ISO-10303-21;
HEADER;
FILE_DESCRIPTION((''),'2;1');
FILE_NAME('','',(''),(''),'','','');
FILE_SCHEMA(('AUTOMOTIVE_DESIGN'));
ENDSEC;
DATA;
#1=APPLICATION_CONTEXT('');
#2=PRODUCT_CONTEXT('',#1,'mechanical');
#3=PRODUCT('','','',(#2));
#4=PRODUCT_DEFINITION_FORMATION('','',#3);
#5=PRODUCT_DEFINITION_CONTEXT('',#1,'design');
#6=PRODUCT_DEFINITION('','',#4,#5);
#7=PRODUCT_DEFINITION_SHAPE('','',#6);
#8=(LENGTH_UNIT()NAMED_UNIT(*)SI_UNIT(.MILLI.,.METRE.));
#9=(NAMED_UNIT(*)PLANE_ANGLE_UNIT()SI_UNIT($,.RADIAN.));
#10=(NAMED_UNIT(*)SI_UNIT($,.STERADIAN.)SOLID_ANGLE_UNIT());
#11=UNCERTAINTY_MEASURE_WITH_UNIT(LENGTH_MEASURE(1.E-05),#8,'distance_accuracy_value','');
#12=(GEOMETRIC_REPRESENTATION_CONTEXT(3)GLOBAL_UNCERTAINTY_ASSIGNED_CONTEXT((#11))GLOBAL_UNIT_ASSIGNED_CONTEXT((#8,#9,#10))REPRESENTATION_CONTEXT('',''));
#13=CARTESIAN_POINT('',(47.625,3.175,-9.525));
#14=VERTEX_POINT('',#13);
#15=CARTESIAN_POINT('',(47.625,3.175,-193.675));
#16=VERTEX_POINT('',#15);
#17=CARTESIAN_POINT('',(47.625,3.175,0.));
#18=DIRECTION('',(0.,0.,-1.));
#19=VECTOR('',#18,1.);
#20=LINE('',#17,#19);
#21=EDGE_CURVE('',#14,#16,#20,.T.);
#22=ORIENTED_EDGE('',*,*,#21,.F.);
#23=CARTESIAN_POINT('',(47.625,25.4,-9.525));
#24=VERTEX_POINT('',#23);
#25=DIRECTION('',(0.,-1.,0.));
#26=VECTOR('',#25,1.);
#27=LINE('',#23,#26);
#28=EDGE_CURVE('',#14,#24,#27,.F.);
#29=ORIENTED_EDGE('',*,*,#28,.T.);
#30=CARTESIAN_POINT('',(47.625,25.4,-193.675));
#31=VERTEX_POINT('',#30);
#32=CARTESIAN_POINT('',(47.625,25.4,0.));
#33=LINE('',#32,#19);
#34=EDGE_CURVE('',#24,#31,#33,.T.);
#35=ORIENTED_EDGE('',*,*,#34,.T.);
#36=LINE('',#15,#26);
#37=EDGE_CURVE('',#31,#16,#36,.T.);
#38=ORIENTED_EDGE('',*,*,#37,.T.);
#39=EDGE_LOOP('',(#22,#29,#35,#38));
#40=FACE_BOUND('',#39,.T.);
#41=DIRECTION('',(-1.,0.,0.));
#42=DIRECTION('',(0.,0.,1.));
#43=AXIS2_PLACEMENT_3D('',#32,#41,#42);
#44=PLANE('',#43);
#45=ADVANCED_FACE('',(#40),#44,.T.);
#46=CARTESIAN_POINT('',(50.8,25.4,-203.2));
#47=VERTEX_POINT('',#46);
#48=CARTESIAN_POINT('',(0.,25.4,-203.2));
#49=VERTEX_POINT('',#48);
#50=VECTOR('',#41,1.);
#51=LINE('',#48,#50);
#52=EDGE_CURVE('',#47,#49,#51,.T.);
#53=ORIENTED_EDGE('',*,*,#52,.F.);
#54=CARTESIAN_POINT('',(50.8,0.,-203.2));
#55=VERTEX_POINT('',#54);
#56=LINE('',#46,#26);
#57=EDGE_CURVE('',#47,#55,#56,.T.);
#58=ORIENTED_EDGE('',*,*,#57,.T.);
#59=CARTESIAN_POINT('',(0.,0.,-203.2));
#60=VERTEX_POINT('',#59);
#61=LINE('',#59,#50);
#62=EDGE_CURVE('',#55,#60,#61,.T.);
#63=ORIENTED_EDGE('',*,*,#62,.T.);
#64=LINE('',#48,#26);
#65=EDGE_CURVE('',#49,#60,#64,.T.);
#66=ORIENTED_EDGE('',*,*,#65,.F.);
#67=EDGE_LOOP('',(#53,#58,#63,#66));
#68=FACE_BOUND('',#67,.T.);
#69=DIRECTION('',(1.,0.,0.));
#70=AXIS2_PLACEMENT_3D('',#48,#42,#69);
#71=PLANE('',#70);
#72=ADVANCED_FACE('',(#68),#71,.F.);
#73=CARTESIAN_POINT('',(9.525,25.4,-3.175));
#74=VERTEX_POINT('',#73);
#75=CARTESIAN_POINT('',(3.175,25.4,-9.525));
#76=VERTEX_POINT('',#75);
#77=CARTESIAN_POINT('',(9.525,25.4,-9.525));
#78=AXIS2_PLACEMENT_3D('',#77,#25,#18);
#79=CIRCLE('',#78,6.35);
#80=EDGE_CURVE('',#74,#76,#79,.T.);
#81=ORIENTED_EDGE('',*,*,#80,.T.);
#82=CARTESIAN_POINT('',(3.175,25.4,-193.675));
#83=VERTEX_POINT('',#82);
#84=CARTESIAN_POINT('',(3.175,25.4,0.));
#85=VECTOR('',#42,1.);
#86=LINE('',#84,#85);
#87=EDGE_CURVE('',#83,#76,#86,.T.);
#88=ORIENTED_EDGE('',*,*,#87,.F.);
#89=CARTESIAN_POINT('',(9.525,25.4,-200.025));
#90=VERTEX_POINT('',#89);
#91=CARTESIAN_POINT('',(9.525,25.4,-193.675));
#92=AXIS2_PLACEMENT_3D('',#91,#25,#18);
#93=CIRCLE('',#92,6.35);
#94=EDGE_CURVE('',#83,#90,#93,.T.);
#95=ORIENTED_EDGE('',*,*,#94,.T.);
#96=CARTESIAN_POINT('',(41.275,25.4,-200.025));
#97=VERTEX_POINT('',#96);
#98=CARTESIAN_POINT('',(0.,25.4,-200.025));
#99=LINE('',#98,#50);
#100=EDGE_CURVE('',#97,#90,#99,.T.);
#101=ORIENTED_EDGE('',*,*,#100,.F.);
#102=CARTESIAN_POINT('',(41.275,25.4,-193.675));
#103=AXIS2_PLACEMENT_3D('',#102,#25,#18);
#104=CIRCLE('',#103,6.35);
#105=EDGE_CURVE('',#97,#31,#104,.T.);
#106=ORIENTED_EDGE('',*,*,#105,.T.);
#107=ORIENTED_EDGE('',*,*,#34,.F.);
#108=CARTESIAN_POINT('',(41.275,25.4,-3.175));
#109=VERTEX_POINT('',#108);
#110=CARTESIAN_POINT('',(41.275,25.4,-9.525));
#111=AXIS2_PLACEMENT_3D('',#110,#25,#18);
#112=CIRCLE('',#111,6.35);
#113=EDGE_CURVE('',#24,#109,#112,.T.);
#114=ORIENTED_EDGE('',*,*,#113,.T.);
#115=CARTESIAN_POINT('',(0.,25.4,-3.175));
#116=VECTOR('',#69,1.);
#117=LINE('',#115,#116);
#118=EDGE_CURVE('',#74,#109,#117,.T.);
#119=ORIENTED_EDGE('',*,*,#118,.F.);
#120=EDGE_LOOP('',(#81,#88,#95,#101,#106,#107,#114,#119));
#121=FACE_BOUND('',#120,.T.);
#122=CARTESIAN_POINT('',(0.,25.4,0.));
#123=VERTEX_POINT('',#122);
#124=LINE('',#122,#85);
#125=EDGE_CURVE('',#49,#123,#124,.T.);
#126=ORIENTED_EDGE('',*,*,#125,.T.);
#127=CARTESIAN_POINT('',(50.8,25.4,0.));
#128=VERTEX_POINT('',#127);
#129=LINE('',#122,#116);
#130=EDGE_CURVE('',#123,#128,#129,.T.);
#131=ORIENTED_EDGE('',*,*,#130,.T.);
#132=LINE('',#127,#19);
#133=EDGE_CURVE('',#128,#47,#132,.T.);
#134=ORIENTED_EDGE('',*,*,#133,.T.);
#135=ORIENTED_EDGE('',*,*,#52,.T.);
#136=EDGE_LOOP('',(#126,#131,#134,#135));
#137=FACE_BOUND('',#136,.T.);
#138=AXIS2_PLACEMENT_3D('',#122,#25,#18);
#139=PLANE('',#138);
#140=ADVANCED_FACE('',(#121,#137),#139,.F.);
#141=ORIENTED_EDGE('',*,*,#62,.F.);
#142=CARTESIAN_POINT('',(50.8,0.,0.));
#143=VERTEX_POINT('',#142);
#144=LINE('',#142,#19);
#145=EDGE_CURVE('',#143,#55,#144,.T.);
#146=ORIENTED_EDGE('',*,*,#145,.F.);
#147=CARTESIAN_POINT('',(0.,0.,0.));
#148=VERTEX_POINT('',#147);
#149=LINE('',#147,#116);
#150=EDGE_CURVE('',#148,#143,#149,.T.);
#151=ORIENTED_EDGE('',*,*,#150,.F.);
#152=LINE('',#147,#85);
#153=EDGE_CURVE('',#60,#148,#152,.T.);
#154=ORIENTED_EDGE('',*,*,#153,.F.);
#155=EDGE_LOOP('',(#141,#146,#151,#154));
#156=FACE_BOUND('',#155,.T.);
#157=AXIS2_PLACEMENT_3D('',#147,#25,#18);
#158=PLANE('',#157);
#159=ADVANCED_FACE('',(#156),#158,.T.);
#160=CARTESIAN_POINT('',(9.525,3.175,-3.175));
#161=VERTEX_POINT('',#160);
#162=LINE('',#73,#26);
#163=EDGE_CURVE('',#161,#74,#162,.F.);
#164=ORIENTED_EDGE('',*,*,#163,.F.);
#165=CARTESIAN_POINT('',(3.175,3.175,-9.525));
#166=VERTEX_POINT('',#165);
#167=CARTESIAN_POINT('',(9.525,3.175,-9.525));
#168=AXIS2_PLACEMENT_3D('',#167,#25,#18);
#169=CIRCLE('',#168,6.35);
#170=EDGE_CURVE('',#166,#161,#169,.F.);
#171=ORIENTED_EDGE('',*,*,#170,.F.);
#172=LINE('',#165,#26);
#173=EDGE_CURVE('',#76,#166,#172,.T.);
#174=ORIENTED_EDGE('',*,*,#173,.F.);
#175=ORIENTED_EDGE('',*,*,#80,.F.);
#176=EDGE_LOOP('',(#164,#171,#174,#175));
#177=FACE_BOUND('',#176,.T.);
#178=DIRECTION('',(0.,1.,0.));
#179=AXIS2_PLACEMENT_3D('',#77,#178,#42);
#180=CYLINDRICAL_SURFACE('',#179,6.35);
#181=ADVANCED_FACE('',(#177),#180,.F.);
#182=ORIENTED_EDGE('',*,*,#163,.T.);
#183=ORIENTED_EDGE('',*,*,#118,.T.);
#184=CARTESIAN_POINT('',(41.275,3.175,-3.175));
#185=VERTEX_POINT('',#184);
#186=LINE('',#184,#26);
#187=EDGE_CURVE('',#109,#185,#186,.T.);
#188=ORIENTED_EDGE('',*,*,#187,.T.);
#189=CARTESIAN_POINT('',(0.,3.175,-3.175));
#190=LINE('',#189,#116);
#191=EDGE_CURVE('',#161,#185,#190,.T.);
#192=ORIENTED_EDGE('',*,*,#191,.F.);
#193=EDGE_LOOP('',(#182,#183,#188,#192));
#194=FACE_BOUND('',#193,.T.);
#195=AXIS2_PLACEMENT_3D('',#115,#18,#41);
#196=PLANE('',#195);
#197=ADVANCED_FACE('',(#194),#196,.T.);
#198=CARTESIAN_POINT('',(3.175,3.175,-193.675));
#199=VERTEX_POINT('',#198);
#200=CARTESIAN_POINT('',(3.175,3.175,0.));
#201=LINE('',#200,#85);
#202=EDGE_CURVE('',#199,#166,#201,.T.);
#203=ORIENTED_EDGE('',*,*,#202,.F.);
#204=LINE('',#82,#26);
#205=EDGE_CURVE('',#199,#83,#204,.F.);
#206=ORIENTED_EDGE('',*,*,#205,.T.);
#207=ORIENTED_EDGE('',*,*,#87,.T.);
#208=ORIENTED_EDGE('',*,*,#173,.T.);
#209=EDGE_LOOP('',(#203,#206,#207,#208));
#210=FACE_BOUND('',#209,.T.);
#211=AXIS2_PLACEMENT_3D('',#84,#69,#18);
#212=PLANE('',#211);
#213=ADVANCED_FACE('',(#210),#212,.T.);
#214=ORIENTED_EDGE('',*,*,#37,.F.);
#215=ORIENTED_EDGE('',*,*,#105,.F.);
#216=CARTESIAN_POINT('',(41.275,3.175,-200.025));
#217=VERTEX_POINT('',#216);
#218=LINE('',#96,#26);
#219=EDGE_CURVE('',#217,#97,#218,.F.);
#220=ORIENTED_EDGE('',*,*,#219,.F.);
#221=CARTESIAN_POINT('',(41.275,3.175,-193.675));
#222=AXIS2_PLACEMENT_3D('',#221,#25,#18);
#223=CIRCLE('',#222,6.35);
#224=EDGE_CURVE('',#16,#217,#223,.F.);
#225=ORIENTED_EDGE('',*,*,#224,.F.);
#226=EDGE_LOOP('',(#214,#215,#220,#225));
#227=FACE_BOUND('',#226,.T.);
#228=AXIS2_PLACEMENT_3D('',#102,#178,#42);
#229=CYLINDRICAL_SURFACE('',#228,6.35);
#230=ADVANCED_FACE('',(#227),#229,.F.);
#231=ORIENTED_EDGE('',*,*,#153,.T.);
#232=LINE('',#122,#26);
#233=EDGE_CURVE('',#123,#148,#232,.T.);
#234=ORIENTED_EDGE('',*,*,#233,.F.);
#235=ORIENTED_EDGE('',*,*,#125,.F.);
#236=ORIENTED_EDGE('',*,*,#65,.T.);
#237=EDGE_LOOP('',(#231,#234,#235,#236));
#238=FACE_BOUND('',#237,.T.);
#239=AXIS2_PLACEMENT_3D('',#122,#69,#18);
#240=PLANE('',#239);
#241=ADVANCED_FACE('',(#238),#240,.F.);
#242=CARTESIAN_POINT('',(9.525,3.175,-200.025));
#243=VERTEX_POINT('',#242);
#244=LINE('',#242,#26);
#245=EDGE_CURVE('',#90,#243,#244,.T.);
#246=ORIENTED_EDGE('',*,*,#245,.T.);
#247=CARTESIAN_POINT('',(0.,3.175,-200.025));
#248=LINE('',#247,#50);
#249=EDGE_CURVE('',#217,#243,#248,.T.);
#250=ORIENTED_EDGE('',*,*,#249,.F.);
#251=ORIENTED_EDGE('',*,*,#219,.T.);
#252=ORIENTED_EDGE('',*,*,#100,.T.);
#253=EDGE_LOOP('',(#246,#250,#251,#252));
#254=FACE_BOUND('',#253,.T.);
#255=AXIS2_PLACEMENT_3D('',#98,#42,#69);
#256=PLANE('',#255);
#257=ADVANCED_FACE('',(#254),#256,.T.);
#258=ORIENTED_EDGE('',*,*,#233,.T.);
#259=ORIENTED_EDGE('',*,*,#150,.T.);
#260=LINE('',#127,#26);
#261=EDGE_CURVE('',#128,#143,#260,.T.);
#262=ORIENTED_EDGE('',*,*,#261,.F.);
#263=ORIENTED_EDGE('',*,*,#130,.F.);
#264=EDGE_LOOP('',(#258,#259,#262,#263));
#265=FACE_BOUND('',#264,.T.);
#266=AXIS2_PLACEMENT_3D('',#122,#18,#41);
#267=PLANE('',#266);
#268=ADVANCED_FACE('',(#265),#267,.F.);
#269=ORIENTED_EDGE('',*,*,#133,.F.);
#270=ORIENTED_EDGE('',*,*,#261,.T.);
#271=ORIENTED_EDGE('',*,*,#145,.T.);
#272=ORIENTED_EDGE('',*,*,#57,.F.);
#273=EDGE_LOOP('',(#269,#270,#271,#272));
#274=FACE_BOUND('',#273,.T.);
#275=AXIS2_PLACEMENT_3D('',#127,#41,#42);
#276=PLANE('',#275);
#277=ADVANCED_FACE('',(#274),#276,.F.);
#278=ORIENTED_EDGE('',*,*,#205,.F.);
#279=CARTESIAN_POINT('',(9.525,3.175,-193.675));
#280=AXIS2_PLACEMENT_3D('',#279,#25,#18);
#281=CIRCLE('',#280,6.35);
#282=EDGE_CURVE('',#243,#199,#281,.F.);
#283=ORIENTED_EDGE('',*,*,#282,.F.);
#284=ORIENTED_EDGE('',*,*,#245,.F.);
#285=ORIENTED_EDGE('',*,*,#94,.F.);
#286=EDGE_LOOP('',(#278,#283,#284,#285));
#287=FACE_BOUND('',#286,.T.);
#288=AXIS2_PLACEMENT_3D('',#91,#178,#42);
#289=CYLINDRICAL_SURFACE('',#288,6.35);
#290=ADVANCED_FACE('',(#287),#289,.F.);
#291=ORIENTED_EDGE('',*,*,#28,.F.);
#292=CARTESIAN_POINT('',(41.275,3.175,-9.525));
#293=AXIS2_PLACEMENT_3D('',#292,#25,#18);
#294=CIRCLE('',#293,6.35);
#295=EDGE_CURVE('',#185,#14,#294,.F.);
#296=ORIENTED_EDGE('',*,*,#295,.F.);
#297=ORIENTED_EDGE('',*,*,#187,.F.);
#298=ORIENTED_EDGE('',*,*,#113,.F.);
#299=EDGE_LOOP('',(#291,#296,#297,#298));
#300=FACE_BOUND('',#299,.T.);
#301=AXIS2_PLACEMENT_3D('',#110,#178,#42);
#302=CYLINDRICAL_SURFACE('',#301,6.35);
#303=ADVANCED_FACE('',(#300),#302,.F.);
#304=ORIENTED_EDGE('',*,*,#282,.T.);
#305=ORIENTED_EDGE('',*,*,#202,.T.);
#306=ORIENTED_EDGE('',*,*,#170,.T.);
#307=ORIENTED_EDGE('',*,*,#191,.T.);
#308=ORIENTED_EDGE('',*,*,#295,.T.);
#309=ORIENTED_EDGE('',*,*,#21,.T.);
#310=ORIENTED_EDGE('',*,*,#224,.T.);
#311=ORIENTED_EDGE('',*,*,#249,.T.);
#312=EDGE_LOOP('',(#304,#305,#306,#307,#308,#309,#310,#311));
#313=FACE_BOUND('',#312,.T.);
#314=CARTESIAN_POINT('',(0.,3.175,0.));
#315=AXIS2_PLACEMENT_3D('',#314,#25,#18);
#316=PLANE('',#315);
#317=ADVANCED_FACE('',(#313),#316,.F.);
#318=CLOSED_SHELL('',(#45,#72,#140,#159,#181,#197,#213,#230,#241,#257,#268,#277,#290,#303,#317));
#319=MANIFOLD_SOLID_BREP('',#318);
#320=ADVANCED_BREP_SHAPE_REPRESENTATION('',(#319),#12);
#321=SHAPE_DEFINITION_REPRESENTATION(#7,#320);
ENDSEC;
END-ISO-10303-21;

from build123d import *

# Parameters (mm, degrees)
SKETCH1_W           = 50.8
SKETCH1_H           = 203.2
BOSS_EXTRUDE1_DEPTH = 25.4
SHELL1_T            = -3.175
FILLET1_R           = 6.35


with BuildPart() as part:
    # Sketch1 → Boss-Extrude1 (new body)
    with BuildSketch(Plane(origin=(0, 0, 0), x_dir=(1, 0, 0), z_dir=(0, 1, 0))):
        with Locations((25.4, 101.6)):
            Rectangle(SKETCH1_W, SKETCH1_H)
    extrude(amount=BOSS_EXTRUDE1_DEPTH)

    # Shell1
    shell1_openings = [part.faces().sort_by_distance(p)[0] for p in [
        (25.4, 25.4, -101.6),
    ]]
    offset(amount=SHELL1_T, openings=shell1_openings, kind=Kind.INTERSECTION)

    # Fillet1
    fillet1_edges = [part.edges().sort_by_distance(p)[0] for p in [
        (3.175, 14.2875, -200.025),
        (3.175, 14.2875, -3.175),
        (47.625, 14.2875, -3.175),
        (47.625, 14.2875, -200.025),
    ]]
    fillet(fillet1_edges, radius=FILLET1_R)


solid = part.part
